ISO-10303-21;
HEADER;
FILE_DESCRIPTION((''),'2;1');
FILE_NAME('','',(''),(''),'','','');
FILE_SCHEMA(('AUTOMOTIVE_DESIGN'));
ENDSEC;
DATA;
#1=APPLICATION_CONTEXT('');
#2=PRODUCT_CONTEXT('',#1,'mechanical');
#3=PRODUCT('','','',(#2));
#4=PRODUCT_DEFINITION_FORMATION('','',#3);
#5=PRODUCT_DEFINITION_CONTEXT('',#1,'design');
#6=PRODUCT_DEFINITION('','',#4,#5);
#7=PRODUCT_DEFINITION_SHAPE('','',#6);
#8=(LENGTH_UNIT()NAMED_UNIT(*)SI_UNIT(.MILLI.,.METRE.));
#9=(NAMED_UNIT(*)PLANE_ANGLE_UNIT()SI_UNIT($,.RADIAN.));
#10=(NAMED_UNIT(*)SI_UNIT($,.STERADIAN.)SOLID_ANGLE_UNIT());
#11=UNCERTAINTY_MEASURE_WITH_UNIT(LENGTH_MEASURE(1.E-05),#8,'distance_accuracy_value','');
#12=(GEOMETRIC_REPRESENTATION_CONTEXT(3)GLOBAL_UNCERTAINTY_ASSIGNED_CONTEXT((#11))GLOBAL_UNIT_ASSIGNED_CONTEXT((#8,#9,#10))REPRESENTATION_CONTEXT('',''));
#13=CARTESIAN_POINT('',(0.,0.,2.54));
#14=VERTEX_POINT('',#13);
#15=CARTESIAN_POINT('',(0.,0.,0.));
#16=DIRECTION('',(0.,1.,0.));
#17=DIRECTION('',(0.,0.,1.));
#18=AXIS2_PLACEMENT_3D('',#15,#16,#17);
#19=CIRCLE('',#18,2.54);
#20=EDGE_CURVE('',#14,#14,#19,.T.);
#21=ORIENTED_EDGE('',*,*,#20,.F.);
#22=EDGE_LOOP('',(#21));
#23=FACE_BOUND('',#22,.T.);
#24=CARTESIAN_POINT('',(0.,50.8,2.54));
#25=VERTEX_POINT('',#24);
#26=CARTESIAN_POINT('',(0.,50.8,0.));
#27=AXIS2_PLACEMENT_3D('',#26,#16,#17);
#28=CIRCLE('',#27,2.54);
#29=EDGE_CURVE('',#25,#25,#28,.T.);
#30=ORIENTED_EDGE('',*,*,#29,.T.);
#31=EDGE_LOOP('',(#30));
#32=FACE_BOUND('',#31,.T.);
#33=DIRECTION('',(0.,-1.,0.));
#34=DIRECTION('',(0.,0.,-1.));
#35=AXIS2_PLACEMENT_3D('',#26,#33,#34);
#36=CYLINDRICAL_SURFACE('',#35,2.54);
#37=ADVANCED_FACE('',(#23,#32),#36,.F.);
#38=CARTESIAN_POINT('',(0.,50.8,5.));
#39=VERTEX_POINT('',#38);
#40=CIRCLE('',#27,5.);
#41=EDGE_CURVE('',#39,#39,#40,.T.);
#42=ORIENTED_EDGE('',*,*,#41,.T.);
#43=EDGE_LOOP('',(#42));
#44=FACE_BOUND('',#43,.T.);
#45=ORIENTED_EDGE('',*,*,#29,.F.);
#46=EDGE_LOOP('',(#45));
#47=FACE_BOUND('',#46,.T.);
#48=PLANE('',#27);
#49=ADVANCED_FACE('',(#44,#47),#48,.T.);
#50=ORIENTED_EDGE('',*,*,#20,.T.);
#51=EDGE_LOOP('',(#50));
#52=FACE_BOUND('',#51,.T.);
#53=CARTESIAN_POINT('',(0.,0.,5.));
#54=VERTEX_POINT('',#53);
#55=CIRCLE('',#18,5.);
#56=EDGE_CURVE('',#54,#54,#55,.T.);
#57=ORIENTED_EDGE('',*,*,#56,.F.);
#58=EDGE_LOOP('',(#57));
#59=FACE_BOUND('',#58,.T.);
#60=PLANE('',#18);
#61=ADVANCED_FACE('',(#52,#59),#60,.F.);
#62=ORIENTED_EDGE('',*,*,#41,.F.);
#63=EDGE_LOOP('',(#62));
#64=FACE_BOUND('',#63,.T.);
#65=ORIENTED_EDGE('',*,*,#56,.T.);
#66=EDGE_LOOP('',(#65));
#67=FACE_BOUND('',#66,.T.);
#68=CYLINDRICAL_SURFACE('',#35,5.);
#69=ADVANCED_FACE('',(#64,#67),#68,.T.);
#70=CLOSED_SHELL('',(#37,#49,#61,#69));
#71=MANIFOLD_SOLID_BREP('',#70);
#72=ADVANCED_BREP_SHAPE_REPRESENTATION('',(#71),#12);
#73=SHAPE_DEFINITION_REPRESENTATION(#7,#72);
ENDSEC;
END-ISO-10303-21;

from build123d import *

# Parameters (mm, degrees)
SKETCH_1_R      = 5
SKETCH_1_R_2    = 2.54
EXTRUDE_1_DEPTH = 50.8


with BuildPart() as part:
    # 草图1 → 凸台-拉伸1 (new body)
    with BuildSketch(Plane(origin=(0, 0, 0), x_dir=(1, 0, 0), z_dir=(0, 1, 0))):
        with Locations(Location((0, 0, 0), (0, 0, 270))):
            Circle(SKETCH_1_R)
        with Locations(Location((0, 0, 0), (0, 0, 270))):
            Circle(SKETCH_1_R_2, mode=Mode.SUBTRACT)
    extrude(amount=EXTRUDE_1_DEPTH)


solid = part.part
